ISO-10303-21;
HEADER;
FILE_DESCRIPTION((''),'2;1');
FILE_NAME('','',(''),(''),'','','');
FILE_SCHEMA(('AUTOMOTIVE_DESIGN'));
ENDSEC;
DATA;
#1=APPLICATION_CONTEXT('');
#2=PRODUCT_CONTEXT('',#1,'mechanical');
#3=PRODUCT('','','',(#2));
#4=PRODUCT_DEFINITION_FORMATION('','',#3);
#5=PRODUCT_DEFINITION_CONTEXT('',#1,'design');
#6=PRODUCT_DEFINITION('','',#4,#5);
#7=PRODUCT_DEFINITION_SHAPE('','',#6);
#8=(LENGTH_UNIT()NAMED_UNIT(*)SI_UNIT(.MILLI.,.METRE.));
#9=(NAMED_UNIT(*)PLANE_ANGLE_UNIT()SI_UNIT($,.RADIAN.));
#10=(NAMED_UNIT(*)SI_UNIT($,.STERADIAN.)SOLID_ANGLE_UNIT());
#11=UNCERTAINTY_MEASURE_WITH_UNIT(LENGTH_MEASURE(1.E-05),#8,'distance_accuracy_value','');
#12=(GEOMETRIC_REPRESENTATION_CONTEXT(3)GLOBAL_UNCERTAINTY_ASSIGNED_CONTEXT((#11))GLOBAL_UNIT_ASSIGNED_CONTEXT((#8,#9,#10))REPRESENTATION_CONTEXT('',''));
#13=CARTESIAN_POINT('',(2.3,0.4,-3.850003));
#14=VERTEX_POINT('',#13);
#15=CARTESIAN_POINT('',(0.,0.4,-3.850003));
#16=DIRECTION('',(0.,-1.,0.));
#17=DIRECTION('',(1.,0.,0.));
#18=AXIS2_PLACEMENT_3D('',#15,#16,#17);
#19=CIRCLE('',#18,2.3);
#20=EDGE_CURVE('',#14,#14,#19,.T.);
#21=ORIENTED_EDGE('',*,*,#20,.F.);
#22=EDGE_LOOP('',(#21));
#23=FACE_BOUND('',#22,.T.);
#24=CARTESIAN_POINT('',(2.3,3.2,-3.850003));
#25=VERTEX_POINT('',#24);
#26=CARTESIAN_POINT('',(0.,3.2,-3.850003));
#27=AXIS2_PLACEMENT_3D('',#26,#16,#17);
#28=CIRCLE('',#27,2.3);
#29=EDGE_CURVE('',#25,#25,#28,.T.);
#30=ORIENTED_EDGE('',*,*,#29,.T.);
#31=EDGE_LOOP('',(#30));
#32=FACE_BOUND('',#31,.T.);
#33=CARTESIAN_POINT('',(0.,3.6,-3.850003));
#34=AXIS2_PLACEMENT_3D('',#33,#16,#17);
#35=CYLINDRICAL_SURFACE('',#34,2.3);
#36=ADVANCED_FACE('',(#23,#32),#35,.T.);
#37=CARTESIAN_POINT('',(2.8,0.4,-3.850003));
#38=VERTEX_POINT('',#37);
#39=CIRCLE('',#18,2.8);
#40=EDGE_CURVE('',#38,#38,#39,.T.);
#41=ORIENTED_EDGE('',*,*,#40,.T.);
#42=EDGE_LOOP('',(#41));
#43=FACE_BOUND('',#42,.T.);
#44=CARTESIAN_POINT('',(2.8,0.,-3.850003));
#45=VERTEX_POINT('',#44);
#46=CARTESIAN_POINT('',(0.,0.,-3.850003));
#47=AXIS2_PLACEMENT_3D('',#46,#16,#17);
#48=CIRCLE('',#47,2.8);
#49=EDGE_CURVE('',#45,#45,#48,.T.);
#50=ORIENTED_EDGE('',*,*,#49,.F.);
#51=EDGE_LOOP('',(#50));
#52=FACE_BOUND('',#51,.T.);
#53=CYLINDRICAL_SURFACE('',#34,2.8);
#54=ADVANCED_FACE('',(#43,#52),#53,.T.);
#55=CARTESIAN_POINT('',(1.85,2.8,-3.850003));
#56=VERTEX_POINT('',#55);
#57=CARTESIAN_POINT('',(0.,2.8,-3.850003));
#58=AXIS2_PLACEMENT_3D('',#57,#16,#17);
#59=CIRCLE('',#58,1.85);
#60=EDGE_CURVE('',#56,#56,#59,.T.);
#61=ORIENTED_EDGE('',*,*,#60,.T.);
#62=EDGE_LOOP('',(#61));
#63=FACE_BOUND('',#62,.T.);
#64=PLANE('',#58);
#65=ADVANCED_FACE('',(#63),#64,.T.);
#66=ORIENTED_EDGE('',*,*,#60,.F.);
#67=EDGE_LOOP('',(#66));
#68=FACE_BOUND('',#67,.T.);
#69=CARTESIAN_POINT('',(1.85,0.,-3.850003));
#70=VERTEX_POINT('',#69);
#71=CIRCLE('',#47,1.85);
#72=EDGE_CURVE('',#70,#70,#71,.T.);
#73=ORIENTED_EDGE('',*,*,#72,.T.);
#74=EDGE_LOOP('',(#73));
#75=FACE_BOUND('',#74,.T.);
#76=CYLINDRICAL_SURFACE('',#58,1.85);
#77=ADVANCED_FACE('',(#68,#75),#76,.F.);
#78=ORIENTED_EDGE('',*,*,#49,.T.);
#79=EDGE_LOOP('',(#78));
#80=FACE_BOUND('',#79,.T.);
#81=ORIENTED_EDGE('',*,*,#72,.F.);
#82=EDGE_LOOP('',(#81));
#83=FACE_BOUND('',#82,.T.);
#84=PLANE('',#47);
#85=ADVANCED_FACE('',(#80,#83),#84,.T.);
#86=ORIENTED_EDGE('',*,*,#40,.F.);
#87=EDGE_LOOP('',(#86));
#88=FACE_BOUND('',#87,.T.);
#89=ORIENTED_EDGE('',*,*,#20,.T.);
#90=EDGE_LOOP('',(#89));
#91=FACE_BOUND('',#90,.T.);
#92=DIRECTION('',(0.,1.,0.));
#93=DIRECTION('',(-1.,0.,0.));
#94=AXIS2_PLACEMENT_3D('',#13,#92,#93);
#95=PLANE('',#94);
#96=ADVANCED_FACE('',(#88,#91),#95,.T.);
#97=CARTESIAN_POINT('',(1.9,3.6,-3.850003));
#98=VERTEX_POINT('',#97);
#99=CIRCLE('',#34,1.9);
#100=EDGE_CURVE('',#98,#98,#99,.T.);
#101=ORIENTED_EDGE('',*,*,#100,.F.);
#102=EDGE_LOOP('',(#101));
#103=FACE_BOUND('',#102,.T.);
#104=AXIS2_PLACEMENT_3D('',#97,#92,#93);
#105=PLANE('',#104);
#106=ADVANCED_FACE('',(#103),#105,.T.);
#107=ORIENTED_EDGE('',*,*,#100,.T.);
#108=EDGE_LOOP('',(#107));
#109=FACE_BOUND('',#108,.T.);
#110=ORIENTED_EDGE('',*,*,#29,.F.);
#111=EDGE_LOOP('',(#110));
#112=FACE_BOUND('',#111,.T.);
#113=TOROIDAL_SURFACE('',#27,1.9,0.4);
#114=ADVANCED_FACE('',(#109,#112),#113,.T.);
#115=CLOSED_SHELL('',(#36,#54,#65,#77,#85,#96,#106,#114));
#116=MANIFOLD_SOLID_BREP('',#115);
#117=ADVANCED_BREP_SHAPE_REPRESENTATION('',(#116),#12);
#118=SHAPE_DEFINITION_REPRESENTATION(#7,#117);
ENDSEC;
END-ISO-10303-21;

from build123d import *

# Parameters (mm, degrees)
SKETCH_5_R          = 1.85
CUT_EXTRUDE_1_DEPTH = 2.8


with BuildPart() as part:
    # 草图2 → 旋转1 (revolve)
    with BuildSketch(Plane.XY.offset(-3.85000283)):
        with BuildLine():
            Line((1.9, 3.6), (0, 3.6))
            Line((0, 3.6), (0, 0))
            Line((0, 0), (2.8, 0))
            Line((2.8, 0), (2.8, 0.4))
            Line((2.8, 0.4), (2.3, 0.4))
            Line((2.3, 0.4), (2.3, 3.2))
            ThreePointArc((2.3, 3.2), (2.182842712, 3.482842712), (1.9, 3.6))
        make_face()
    revolve(axis=Axis((0, 3.6, -3.85000283), (0, -1, 0)))

    # 草图5 → 切除-拉伸1 (cut)
    with BuildSketch(Plane.XZ):
        with Locations((0, -3.85000283)):
            Circle(SKETCH_5_R)
    extrude(amount=-CUT_EXTRUDE_1_DEPTH, mode=Mode.SUBTRACT)


solid = part.part
